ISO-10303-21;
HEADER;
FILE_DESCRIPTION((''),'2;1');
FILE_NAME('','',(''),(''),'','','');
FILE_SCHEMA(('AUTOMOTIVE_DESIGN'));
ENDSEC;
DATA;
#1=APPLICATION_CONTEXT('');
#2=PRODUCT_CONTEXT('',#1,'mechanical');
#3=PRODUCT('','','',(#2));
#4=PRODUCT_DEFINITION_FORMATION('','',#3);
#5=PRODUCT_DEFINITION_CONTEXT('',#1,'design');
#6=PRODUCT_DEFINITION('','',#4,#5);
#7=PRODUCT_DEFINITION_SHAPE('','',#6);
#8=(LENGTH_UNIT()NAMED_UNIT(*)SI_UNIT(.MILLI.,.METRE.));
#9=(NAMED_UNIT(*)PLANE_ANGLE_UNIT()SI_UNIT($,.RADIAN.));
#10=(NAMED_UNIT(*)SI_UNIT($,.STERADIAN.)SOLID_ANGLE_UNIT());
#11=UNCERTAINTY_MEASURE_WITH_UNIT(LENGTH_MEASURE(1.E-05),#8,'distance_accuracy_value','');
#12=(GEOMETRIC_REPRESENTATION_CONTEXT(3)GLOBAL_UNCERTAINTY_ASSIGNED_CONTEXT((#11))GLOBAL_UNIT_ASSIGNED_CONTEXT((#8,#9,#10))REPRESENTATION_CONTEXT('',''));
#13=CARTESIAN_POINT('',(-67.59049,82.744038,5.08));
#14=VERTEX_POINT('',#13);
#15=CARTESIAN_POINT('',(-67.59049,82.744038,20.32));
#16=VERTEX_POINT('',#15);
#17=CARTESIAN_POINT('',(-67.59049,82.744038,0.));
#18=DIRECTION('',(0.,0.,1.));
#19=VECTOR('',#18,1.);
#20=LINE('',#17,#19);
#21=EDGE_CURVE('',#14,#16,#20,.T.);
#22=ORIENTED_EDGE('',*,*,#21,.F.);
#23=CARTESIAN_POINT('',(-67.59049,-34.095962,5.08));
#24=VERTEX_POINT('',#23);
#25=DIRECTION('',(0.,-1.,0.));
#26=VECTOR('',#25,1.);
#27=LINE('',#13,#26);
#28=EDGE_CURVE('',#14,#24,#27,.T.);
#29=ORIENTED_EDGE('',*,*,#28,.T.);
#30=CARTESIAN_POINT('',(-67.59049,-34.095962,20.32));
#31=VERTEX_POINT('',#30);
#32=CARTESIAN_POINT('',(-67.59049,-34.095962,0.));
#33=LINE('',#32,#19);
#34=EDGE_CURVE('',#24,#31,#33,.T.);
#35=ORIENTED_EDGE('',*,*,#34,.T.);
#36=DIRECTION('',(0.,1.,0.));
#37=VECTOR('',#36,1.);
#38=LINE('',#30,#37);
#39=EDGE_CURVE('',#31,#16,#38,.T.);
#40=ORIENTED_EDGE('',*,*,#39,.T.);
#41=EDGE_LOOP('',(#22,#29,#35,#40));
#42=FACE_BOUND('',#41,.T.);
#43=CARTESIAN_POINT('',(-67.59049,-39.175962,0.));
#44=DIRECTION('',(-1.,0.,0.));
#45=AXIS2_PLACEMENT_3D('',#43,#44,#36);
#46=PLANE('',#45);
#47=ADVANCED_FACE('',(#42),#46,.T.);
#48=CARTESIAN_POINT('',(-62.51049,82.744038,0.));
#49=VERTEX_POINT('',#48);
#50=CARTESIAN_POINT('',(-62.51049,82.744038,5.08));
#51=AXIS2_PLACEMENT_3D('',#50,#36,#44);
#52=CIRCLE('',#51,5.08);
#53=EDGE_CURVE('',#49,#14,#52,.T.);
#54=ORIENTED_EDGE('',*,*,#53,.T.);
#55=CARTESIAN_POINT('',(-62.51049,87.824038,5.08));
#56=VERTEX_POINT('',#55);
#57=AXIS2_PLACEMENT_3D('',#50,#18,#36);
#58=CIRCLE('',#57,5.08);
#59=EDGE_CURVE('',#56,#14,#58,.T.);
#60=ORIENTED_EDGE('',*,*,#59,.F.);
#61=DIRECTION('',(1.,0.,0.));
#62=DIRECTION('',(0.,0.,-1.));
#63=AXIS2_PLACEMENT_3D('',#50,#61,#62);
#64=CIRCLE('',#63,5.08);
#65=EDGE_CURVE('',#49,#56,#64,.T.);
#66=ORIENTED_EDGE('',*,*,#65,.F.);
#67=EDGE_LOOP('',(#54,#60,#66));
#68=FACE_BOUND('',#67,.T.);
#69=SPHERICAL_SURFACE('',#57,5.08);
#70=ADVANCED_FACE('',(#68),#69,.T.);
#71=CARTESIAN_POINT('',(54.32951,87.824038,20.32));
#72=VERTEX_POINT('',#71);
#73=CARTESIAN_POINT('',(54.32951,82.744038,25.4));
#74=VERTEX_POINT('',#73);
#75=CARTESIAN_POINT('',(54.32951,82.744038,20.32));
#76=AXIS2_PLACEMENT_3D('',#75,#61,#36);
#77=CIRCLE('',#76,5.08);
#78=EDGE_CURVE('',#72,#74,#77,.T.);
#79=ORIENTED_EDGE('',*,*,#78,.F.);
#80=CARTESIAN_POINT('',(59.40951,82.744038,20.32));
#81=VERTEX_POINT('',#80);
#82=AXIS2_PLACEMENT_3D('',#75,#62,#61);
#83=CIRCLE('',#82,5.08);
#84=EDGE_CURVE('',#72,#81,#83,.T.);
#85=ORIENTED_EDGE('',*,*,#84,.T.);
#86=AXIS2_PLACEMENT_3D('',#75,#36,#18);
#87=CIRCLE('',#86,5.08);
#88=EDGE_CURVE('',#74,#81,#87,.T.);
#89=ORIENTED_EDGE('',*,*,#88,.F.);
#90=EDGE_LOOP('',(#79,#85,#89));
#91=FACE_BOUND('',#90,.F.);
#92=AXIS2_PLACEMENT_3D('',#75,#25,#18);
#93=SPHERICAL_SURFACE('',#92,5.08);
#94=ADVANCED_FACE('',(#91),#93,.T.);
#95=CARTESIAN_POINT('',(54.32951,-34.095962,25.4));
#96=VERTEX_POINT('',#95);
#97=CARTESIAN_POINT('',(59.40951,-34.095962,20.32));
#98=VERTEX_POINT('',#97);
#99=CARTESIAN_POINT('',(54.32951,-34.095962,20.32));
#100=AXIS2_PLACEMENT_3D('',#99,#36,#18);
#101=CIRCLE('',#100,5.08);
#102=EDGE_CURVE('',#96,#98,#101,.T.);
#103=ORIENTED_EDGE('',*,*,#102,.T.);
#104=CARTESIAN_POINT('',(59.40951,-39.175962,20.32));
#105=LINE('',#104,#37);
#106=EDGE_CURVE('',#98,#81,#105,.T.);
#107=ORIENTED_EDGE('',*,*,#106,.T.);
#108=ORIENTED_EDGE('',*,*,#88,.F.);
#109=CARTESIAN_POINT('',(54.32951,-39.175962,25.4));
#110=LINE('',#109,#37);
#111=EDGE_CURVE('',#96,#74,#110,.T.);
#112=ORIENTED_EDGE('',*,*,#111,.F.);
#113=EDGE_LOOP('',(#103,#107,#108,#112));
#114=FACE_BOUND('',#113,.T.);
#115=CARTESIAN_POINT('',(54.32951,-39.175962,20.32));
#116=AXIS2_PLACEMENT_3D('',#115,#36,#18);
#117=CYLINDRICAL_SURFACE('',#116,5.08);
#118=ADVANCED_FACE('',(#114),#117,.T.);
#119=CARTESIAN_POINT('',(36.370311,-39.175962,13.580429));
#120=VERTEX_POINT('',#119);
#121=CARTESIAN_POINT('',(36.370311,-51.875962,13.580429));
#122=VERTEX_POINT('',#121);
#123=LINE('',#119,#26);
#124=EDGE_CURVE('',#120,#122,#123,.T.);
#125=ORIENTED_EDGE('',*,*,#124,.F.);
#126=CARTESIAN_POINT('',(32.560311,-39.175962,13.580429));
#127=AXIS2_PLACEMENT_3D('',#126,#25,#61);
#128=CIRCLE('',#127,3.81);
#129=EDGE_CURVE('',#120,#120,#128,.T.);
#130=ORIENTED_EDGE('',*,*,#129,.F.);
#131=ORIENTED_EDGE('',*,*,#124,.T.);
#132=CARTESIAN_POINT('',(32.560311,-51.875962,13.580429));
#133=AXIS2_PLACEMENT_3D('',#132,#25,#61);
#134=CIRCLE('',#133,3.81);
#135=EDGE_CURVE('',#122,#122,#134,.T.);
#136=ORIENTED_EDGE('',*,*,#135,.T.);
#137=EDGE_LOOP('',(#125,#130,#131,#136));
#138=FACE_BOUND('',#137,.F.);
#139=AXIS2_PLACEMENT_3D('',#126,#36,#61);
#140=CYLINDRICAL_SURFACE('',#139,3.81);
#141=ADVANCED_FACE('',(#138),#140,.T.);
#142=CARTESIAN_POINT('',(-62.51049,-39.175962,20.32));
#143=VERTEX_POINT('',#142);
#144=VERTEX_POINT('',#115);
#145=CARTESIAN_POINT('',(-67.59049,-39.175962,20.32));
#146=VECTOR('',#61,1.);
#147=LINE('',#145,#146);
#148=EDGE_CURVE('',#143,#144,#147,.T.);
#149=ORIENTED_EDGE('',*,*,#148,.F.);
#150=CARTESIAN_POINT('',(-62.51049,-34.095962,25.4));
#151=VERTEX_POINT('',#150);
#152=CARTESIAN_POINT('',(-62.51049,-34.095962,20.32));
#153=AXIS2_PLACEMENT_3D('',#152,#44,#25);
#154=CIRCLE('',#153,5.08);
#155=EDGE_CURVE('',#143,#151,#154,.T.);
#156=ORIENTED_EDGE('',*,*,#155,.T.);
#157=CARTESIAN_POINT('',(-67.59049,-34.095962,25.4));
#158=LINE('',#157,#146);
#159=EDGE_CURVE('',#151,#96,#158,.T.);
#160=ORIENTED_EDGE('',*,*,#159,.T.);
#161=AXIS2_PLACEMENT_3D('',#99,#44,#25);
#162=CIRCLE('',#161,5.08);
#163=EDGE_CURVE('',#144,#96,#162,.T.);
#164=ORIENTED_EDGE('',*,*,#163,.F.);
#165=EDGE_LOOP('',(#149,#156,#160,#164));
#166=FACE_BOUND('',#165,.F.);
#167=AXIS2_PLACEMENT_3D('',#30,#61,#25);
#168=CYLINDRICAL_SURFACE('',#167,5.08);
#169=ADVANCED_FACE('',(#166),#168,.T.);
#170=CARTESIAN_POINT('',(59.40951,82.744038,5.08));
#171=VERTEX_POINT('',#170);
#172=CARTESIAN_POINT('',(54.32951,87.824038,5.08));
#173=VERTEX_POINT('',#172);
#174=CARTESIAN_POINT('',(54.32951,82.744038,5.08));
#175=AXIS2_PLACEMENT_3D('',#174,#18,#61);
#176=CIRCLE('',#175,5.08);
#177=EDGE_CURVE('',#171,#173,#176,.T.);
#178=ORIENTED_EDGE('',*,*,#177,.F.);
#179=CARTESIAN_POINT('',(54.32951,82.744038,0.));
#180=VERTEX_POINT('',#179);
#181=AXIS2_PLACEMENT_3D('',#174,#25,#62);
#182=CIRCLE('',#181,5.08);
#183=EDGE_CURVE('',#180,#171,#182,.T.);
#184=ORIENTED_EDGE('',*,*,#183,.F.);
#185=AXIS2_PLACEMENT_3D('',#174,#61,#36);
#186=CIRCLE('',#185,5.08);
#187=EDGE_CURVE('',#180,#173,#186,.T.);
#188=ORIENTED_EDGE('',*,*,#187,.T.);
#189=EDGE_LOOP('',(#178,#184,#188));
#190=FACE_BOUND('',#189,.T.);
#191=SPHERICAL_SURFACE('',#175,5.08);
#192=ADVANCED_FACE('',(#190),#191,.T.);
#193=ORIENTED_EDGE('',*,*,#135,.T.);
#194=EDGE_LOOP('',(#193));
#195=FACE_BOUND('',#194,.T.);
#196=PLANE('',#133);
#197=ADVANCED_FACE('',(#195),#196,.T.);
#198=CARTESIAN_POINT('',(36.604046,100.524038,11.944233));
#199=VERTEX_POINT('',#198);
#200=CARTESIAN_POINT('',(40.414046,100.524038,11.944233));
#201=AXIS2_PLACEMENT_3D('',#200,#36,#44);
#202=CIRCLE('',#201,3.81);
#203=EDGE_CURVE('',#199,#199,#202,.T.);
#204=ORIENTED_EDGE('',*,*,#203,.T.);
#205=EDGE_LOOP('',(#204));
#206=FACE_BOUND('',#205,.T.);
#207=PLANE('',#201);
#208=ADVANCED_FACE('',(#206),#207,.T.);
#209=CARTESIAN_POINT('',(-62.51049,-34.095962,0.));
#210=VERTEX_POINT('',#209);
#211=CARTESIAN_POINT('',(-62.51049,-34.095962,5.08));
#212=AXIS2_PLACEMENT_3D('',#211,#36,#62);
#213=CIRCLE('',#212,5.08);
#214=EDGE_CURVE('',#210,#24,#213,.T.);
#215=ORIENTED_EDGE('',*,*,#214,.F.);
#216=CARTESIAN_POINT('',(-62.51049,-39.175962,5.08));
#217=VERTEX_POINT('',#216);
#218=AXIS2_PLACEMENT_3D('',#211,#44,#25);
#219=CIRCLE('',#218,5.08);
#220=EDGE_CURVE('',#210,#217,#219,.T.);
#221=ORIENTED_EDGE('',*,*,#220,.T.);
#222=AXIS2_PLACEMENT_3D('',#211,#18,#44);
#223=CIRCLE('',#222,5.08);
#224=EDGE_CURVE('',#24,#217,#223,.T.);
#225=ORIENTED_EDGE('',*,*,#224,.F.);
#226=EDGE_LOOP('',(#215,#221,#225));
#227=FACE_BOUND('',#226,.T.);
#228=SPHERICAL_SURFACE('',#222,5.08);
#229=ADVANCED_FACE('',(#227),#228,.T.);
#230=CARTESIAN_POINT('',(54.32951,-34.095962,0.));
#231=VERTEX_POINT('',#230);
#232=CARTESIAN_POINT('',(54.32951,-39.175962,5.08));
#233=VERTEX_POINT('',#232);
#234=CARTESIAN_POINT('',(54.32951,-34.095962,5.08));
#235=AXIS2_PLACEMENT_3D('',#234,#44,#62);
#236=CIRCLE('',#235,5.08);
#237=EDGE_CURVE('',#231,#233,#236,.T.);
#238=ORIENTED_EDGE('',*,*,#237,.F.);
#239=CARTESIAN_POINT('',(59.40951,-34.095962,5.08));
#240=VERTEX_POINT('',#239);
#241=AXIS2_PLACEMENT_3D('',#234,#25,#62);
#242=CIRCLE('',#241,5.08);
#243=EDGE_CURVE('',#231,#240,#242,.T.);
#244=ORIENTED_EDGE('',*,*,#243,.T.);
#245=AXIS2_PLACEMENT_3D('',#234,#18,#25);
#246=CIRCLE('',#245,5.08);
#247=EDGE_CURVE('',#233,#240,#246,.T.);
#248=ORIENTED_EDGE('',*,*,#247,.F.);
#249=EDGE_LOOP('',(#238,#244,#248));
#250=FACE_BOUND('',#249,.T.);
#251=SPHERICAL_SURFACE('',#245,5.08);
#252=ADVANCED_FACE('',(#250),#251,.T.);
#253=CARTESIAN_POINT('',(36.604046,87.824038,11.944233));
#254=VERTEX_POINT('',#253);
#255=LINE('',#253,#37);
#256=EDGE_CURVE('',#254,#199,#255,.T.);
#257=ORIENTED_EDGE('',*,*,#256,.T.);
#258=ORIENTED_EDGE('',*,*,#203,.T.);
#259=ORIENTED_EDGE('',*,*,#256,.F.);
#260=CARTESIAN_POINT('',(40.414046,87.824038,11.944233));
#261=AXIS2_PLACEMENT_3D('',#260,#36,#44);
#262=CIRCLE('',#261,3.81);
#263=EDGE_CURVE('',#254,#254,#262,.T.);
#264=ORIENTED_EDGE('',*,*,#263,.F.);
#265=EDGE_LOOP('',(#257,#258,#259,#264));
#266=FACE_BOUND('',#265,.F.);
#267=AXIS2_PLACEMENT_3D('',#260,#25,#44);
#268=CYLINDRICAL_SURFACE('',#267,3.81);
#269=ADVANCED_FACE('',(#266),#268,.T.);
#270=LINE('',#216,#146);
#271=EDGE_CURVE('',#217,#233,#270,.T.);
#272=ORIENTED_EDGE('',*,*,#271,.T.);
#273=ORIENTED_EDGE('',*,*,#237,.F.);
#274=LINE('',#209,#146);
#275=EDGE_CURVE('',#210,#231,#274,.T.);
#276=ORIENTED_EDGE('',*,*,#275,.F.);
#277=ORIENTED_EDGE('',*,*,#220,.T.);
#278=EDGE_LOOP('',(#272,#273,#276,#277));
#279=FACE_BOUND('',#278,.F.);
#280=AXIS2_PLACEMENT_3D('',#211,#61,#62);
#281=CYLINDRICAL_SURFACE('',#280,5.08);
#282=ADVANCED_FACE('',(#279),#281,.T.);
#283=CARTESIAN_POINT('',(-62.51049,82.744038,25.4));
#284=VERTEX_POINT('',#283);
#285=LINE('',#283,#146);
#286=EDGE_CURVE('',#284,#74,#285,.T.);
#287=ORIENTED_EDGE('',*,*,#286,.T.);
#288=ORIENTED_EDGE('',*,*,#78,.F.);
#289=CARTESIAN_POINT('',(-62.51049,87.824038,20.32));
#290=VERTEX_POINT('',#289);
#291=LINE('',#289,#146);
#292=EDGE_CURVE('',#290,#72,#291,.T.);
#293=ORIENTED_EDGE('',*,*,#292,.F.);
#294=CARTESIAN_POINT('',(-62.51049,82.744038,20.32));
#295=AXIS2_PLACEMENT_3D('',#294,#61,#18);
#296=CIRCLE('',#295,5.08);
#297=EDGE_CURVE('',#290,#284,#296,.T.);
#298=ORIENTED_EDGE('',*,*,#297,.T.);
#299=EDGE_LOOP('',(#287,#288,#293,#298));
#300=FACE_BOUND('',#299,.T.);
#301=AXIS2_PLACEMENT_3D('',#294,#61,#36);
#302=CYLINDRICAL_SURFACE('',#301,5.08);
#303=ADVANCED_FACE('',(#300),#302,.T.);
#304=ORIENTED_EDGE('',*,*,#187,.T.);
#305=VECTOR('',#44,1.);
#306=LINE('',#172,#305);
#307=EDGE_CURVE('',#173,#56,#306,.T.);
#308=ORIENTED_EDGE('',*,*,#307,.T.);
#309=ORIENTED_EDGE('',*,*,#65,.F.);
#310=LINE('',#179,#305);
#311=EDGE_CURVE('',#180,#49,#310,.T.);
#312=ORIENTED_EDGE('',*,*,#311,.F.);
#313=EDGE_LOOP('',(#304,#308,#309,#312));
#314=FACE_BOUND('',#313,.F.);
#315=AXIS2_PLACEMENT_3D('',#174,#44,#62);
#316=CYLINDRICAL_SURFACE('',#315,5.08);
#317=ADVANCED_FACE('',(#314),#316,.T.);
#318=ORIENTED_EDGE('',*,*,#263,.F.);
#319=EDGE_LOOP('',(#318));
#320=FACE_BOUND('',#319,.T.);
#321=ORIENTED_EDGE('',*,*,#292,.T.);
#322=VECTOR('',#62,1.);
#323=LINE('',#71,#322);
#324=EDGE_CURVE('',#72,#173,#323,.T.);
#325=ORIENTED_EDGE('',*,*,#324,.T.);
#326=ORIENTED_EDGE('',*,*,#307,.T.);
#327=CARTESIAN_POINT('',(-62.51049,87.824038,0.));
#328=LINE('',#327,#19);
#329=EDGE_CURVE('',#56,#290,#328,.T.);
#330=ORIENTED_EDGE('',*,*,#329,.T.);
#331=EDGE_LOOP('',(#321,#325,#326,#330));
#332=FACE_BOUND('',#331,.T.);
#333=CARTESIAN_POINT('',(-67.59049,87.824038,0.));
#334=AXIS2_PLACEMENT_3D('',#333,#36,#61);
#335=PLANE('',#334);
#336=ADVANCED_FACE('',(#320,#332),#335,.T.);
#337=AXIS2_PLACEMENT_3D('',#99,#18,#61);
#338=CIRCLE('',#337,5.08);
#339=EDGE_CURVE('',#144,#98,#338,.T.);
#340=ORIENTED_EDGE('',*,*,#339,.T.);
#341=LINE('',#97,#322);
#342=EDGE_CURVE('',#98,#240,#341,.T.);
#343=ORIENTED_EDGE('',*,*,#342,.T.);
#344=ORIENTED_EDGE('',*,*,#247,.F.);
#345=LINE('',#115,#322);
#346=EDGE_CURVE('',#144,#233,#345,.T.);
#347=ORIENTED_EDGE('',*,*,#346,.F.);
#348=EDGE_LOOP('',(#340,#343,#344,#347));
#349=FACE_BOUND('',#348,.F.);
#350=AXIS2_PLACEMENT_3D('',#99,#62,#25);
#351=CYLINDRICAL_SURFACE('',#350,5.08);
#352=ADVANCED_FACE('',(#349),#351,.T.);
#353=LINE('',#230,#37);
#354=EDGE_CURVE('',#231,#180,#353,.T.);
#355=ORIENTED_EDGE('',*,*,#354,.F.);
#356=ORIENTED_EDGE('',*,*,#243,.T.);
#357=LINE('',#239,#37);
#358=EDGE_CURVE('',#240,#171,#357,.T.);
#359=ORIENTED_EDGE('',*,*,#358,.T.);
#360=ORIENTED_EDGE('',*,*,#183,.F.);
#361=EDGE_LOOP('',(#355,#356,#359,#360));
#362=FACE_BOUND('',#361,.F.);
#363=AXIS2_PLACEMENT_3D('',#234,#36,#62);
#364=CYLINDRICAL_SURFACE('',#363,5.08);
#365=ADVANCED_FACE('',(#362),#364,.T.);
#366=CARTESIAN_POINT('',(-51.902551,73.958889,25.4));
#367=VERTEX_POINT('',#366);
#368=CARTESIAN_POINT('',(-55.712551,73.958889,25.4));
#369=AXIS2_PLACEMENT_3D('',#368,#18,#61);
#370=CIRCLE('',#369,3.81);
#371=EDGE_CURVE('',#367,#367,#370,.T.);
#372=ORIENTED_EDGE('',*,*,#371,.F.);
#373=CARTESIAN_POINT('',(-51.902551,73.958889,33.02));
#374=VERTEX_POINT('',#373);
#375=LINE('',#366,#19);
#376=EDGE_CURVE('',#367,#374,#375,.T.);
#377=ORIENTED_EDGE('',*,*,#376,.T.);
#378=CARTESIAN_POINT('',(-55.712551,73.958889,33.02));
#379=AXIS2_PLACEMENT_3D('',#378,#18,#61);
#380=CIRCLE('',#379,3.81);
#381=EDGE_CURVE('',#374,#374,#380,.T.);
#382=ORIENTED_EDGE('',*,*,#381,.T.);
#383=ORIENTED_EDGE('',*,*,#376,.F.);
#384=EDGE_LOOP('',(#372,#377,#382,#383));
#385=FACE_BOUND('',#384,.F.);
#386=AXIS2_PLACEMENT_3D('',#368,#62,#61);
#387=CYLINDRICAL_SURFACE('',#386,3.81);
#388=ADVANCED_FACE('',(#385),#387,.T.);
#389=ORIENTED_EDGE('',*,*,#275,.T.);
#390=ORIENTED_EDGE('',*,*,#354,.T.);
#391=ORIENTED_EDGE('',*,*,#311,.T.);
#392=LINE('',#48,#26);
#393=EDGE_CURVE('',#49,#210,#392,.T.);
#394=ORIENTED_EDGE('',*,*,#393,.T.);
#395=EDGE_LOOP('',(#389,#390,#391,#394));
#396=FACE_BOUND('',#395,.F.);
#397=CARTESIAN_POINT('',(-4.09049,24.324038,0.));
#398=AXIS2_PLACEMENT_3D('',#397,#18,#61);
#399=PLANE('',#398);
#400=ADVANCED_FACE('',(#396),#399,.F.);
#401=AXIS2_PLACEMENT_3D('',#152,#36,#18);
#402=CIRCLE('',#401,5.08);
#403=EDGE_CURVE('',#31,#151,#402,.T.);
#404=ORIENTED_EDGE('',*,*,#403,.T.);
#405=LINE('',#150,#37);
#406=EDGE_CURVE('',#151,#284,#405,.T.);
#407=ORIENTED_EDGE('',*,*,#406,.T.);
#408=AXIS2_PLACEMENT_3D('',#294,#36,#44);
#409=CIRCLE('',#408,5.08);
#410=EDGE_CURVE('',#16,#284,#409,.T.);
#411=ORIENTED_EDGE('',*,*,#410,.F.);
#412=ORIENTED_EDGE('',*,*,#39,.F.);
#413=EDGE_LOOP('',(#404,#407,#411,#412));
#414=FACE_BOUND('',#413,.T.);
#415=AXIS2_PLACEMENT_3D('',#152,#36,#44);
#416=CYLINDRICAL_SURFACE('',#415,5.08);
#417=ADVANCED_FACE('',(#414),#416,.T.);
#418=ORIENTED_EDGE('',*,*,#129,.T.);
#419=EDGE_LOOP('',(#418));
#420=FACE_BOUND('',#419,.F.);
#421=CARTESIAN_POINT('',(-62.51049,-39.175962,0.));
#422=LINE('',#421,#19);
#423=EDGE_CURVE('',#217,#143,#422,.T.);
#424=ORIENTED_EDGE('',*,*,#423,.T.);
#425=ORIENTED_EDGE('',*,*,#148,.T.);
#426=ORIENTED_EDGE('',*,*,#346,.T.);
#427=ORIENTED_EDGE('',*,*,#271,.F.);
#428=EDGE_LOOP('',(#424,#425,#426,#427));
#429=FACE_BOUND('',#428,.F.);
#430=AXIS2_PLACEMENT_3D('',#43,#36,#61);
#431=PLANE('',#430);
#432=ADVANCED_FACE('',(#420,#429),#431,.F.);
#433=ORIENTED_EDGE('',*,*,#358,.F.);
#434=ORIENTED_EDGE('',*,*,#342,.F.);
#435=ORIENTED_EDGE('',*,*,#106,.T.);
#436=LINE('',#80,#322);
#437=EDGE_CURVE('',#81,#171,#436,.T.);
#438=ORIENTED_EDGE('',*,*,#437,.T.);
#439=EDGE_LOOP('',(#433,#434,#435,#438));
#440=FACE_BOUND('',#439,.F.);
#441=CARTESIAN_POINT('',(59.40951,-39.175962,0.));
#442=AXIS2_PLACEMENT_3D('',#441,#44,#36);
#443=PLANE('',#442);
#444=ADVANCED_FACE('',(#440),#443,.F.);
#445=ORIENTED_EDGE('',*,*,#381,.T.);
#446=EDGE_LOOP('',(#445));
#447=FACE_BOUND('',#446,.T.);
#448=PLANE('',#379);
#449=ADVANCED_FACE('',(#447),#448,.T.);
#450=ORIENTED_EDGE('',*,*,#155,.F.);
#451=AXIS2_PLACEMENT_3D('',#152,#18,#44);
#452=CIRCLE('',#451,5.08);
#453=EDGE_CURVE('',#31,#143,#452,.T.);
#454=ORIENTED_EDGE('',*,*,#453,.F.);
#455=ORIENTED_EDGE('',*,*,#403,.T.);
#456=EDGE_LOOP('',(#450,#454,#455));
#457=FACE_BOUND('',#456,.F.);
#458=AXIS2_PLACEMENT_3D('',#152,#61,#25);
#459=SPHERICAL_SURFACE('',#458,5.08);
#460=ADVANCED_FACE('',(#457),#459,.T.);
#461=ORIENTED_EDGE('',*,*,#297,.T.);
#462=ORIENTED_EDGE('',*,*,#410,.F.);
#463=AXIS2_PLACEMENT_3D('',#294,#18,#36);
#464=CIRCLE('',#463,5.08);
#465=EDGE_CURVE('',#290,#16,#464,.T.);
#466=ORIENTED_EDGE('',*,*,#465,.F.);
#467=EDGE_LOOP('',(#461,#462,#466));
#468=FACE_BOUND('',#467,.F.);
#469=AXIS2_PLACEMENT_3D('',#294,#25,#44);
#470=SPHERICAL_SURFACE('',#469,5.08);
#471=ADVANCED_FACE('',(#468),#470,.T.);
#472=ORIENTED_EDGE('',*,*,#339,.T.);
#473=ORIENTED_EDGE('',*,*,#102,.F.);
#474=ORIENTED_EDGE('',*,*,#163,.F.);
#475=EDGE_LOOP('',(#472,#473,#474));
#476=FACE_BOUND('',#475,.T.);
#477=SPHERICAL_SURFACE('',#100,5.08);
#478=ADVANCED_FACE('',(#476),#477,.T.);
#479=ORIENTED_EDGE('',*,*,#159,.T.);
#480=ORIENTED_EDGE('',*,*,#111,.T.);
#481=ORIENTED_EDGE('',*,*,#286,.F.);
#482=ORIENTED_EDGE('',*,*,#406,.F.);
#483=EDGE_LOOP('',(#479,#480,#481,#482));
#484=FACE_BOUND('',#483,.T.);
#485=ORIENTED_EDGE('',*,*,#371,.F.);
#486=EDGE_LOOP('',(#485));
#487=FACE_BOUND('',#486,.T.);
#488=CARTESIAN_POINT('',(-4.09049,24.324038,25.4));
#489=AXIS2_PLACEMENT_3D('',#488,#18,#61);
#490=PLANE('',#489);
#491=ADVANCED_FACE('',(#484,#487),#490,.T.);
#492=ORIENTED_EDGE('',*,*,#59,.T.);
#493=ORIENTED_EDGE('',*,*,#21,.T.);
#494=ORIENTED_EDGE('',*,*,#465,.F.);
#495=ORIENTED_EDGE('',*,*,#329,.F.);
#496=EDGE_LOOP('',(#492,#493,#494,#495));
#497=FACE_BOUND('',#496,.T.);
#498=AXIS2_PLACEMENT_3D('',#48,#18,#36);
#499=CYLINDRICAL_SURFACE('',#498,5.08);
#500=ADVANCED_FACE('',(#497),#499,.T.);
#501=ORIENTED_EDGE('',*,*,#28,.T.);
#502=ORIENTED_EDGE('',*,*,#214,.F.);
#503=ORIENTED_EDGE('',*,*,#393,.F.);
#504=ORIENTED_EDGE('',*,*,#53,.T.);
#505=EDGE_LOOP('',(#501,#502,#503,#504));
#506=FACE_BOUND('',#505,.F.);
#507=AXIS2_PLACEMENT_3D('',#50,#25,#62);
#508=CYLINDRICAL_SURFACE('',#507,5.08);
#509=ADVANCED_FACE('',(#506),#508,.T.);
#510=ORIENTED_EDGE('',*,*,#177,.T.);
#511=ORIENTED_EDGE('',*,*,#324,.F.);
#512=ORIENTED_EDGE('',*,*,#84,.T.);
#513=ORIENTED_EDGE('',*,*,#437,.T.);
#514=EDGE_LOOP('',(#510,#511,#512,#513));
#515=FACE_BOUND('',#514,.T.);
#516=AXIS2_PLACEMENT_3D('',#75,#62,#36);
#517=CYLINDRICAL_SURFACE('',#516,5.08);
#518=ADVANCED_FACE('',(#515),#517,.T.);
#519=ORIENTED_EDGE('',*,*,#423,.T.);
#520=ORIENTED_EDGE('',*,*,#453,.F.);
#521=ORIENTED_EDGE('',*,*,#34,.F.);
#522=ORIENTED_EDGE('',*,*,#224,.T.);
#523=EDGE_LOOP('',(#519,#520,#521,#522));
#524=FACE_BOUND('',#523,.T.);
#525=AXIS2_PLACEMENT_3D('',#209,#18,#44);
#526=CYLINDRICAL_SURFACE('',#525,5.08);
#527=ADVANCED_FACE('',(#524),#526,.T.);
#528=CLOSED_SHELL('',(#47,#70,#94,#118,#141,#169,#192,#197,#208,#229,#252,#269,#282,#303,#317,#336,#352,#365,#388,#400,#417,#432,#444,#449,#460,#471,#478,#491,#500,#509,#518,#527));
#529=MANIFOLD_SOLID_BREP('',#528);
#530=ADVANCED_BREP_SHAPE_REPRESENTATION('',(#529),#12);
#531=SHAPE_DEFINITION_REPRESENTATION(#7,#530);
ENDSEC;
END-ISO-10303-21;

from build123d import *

# Parameters (mm, degrees)
F0_W      = 127
F0_H      = 127
F1_DEPTH  = 25.4
F2_R      = 3.81
F3_DEPTH  = 7.62
F4_R      = 5.08
F5_R      = 5.08
F6_R      = 5.08
F7_R      = 5.08
F8_R      = 5.08
F9_R      = 3.81
F10_DEPTH = 12.7
F11_R     = 3.81
F12_DEPTH = 12.7


with BuildPart() as f1:
    # F0 (on Top) → F1 (new body)
    with BuildSketch(Plane.XY):
        with Locations((-4.09049, 24.324038)):
            Rectangle(F0_W, F0_H)
    extrude(amount=F1_DEPTH)

    # F2 (on face) → F3 (join)
    with BuildSketch(Plane.XY.offset(25.4)):
        with Locations((-55.712551, 73.958889)):
            Circle(F2_R)
    extrude(amount=F3_DEPTH)

    # F4
    f4_edges = [f1.edges().sort_by_distance(p)[0] for p in [
        (59.40951, 24.324038, 25.4),
    ]]
    fillet(f4_edges, radius=F4_R)

    # F5
    f5_edges = [f1.edges().sort_by_distance(p)[0] for p in [
        (-6.63049, -39.175962, 25.4),
    ]]
    fillet(f5_edges, radius=F5_R)

    # F6
    f6_edges = [f1.edges().sort_by_distance(p)[0] for p in [
        (-67.59049, 26.864038, 25.4),
    ]]
    fillet(f6_edges, radius=F6_R)

    # F7
    f7_edges = [f1.edges().sort_by_distance(p)[0] for p in [
        (-4.09049, 87.824038, 25.4),
    ]]
    fillet(f7_edges, radius=F7_R)

    # F8
    f8_edges = [f1.edges().sort_by_distance(p)[0] for p in [
        (59.40951, 24.324038, 0),
    ]]
    fillet(f8_edges, radius=F8_R)

    # F9 (on face) → F10 (join)
    with BuildSketch(Plane.XZ.offset(39.175962)):
        with Locations((32.560311, 13.580429)):
            Circle(F9_R)
    extrude(amount=F10_DEPTH)

    # F11 (on face) → F12 (join)
    with BuildSketch(Plane(origin=(0, 87.824038, 0), x_dir=(-1, 0, 0), z_dir=(0, 1, 0))):
        with Locations((-40.414046, 11.944233)):
            Circle(F11_R)
    extrude(amount=F12_DEPTH)


solid = f1.part
